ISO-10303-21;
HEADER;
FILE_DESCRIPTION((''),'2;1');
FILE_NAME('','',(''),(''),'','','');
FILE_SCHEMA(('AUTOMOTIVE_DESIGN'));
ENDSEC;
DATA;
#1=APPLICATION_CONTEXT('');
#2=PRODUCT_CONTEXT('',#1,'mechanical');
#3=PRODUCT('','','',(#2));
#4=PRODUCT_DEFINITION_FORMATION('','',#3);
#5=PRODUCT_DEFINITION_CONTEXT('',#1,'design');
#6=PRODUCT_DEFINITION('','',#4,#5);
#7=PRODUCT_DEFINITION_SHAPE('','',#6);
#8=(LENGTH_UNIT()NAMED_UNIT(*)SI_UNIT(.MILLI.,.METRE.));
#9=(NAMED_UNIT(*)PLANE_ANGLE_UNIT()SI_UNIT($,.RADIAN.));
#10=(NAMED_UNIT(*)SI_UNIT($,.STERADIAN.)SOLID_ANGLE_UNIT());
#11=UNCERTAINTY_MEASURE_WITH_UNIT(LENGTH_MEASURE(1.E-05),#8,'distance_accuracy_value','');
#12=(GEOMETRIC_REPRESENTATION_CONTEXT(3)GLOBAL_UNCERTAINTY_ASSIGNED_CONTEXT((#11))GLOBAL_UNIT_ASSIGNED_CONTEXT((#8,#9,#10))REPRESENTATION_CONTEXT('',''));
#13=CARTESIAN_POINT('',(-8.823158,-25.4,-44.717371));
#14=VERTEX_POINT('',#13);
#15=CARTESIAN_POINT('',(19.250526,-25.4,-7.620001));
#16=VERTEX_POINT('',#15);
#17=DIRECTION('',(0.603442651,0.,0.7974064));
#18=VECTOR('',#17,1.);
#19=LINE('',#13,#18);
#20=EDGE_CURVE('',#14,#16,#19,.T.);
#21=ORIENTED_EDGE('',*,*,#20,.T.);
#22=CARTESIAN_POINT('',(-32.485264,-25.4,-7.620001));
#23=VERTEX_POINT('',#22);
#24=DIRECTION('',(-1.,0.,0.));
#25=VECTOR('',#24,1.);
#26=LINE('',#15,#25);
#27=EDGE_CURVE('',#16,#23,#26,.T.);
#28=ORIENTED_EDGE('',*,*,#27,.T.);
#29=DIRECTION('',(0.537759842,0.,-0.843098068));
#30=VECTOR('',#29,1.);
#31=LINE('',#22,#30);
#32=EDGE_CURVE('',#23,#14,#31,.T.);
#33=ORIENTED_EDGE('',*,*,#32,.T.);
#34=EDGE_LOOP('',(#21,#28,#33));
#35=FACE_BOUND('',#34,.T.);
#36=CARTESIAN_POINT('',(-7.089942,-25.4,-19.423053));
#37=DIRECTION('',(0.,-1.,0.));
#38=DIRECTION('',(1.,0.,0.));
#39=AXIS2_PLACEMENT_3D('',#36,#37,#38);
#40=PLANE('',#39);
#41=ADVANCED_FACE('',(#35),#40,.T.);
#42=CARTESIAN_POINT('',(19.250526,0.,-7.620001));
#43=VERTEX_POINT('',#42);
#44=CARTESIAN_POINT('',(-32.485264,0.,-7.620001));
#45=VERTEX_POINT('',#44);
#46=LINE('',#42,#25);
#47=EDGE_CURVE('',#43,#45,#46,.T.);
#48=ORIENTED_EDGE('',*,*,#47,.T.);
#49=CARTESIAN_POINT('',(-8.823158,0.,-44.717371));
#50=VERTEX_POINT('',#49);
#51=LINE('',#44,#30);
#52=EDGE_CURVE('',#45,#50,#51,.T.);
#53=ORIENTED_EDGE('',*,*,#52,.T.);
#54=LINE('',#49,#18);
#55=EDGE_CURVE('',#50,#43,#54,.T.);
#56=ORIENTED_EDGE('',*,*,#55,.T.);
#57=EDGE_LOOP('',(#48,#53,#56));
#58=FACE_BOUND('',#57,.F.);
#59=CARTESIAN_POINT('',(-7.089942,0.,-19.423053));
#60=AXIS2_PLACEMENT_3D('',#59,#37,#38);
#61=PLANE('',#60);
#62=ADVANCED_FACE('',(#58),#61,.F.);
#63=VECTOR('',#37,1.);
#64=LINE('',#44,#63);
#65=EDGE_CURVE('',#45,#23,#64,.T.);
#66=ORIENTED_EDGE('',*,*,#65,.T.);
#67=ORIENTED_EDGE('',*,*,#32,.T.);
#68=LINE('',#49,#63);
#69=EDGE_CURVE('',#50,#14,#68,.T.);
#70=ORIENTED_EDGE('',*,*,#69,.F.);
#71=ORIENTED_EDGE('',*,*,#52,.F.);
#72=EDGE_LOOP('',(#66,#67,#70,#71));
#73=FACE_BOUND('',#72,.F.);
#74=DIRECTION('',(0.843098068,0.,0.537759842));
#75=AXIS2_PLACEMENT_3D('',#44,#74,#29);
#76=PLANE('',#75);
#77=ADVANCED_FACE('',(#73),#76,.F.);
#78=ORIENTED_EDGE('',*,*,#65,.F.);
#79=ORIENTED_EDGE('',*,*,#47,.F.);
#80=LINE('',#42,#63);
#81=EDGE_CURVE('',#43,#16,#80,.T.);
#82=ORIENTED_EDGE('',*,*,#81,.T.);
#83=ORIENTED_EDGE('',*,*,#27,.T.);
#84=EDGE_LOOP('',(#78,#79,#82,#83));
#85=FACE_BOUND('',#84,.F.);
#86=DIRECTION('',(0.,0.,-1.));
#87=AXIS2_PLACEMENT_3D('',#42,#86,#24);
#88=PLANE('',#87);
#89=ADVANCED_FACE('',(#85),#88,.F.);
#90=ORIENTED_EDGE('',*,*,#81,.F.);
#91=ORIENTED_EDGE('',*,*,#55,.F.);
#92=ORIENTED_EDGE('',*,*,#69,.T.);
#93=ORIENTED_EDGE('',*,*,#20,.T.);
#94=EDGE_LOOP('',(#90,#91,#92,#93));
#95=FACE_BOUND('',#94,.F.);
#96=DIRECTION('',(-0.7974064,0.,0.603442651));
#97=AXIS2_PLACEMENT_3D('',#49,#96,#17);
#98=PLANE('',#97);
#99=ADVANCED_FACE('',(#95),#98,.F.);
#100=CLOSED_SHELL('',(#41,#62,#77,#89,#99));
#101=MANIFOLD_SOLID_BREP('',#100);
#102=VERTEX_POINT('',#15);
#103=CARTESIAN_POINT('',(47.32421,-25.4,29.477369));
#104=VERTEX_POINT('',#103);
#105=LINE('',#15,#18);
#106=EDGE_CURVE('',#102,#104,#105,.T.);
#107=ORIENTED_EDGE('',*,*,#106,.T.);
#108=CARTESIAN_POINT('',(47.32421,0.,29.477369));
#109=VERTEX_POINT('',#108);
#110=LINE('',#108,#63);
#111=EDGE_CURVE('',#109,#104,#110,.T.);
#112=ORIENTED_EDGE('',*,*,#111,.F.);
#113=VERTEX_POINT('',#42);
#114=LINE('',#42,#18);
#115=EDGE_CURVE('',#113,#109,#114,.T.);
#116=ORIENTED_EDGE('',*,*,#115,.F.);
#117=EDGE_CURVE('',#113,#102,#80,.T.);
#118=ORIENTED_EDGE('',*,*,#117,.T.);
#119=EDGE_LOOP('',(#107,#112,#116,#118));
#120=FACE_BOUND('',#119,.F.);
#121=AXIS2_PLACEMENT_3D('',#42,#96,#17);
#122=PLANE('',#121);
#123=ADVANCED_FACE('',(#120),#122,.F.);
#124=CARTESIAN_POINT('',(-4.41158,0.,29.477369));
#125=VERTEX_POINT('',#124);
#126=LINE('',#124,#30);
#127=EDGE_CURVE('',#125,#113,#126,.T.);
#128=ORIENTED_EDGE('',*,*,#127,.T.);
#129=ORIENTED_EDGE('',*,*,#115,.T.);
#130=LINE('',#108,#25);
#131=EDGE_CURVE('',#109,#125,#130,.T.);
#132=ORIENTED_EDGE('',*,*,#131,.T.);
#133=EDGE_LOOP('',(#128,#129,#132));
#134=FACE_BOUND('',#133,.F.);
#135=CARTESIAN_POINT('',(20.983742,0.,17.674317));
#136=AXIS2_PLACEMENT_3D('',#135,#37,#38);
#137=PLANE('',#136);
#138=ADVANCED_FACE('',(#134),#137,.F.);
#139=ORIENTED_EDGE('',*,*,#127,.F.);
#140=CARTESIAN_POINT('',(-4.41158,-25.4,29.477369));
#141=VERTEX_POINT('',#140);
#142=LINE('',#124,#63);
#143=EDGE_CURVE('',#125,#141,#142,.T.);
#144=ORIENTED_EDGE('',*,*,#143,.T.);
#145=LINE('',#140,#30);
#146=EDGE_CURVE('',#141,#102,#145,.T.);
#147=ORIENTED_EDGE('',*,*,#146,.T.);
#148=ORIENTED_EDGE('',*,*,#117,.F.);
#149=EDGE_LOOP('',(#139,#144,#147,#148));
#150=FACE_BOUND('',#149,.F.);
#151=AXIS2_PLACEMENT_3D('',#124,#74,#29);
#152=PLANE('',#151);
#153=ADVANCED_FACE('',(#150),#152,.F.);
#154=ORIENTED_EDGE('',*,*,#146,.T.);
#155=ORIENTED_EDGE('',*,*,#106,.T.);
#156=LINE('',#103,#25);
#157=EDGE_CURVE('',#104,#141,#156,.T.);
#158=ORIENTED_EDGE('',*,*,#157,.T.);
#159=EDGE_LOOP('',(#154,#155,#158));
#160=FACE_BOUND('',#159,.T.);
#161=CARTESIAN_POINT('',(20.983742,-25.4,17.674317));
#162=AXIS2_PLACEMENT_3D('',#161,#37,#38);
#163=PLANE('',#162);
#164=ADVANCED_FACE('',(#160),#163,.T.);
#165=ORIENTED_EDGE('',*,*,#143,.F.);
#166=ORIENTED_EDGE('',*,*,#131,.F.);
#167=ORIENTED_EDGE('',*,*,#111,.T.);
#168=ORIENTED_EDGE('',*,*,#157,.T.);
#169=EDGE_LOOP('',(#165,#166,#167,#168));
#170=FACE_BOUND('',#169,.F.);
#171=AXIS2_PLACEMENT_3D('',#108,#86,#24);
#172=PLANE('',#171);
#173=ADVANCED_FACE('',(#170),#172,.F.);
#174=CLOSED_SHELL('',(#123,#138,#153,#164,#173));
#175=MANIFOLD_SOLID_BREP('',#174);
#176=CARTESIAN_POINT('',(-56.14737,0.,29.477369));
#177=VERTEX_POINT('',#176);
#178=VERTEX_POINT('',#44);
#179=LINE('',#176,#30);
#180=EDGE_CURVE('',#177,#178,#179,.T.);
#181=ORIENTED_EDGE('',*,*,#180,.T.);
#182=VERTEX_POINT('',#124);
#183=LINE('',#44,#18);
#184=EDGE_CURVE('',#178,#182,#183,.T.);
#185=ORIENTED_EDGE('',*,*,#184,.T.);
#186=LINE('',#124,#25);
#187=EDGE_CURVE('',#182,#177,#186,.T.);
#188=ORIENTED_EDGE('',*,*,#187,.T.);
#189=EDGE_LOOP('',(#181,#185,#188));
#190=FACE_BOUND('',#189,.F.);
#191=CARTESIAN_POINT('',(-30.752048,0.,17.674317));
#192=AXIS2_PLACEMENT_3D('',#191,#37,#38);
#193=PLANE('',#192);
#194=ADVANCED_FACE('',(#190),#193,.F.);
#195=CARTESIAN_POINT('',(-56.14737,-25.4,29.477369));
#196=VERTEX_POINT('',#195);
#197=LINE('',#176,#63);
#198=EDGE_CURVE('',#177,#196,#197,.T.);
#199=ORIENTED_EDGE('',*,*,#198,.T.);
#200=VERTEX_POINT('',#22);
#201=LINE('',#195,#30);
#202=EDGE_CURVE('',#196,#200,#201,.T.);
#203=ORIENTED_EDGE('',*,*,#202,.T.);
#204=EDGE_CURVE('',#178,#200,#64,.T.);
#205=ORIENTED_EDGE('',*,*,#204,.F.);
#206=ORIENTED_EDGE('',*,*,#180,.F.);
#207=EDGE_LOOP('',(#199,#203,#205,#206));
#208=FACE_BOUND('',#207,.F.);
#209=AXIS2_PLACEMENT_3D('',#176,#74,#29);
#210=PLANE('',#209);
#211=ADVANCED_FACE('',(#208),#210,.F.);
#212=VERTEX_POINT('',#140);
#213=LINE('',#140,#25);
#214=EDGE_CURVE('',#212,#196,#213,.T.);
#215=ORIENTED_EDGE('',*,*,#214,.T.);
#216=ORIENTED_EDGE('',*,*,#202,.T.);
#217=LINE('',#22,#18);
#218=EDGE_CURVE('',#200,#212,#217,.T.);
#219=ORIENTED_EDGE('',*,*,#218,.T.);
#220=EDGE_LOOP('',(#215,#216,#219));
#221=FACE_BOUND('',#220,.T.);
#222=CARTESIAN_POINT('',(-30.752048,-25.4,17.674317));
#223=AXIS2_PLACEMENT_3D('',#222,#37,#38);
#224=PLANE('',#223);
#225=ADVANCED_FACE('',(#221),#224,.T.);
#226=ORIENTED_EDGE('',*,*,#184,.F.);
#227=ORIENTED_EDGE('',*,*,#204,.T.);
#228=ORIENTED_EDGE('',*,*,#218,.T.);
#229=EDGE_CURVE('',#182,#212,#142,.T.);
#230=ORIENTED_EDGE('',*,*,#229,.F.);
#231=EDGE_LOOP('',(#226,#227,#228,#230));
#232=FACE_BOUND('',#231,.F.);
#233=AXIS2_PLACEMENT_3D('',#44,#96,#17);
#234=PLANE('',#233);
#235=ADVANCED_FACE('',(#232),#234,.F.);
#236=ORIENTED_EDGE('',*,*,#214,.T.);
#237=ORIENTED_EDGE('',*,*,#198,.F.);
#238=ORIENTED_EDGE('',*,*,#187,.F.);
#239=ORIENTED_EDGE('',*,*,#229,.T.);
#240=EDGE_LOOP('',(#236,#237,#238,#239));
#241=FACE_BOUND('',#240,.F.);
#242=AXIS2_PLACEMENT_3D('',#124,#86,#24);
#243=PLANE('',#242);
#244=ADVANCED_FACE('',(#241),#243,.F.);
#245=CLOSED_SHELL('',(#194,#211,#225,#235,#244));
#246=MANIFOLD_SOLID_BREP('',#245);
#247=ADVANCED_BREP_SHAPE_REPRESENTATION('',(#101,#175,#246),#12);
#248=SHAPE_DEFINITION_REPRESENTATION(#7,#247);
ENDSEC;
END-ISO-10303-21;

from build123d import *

# Parameters (mm, degrees)
F1_DEPTH = 25.4


with BuildPart() as f1:
    # F0 (on Front) → F1 (new body)
    with BuildSketch(Plane.XZ):
        Polygon((19.250526, -7.620001), (-32.485264, -7.620001), (-8.823158, -44.717371), align=None)
        Polygon((-4.41158, 29.477369), (-56.14737, 29.477369), (-32.485264, -7.620001), align=None)
        Polygon((47.32421, 29.477369), (-4.41158, 29.477369), (19.250526, -7.620001), align=None)
    extrude(amount=F1_DEPTH)


solid = f1.part
